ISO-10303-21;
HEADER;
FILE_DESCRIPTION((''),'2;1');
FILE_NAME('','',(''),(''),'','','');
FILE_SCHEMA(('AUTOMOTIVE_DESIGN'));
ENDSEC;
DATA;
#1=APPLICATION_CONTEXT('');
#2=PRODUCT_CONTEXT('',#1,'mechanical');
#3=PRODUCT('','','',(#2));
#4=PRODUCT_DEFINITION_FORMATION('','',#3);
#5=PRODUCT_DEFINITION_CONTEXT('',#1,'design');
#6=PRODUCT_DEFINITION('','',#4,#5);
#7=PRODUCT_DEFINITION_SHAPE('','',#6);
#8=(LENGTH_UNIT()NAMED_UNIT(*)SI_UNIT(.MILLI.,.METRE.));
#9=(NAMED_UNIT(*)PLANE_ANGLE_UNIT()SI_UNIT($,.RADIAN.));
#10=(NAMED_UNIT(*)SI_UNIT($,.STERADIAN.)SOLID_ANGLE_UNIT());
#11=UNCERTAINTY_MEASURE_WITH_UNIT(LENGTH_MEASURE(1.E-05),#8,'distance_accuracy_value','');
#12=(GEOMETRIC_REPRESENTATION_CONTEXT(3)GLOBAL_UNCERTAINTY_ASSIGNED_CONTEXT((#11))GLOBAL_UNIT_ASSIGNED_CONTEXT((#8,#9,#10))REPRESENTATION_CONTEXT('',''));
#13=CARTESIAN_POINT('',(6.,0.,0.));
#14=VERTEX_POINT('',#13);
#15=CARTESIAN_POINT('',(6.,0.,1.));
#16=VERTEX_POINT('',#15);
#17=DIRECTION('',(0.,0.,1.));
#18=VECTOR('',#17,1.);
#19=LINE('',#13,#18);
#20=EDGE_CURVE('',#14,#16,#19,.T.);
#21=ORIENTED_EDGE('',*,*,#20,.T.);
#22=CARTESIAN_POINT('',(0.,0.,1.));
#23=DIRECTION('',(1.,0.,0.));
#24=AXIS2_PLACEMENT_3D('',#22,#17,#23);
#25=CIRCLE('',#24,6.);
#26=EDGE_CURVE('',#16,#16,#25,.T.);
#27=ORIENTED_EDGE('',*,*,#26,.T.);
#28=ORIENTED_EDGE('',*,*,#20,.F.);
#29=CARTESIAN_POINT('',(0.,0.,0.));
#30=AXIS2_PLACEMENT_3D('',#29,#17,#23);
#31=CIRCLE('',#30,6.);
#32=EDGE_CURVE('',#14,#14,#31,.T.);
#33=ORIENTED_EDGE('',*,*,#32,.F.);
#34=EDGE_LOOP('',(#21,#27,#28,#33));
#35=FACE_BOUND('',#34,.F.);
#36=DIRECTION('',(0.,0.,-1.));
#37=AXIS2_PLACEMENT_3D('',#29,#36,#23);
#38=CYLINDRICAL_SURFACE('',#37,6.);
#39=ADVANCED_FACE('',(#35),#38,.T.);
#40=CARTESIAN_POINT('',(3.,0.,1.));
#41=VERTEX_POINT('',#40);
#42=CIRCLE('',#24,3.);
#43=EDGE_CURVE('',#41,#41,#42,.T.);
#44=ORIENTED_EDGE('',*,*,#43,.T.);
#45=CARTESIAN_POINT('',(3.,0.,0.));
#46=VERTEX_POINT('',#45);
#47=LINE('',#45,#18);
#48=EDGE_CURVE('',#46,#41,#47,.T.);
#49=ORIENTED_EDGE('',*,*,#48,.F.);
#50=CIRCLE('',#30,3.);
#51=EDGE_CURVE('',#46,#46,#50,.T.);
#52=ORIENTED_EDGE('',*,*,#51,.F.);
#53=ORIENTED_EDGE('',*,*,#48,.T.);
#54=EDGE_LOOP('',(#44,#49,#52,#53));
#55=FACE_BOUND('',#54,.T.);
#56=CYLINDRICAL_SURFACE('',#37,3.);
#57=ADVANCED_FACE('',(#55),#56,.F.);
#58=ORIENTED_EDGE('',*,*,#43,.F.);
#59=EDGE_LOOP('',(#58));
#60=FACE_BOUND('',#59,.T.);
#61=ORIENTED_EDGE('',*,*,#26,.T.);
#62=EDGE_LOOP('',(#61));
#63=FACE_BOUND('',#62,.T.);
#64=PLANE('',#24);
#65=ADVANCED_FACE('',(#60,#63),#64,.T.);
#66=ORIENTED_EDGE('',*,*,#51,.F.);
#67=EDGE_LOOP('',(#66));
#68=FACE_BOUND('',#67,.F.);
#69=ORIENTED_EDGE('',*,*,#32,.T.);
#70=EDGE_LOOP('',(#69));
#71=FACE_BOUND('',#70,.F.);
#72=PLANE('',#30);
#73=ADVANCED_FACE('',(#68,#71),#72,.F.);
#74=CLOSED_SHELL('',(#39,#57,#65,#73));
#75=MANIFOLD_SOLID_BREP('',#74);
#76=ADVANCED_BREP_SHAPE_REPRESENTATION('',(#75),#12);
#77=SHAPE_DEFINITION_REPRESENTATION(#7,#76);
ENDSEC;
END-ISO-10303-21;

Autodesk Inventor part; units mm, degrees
ref_plane "YZ Plane" through (0, 0, 0) normal (1, 0, 0) x (0, 1, 0)
ref_plane "XZ Plane" through (0, 0, 0) normal (0, 1, 0) x (-1, 0, 0)
ref_plane "XY Plane" through (0, 0, 0) normal (0, 0, 1) x (1, 0, 0)
sketch "スケッチ1" plane through (0, 0, 0) normal (0, 0, 1) x (1, 0, 0)
  circle A0 centre (0, 0) radius 3
  circle A1 centre (0, 0) radius 6
  dimension "d0" = 6
  dimension "d1" = 12
extrude "押し出し1" add sketch "スケッチ1" along normal blind 1
properties part number "p6t1ワッシャ" material "アセタール樹脂、黒"
